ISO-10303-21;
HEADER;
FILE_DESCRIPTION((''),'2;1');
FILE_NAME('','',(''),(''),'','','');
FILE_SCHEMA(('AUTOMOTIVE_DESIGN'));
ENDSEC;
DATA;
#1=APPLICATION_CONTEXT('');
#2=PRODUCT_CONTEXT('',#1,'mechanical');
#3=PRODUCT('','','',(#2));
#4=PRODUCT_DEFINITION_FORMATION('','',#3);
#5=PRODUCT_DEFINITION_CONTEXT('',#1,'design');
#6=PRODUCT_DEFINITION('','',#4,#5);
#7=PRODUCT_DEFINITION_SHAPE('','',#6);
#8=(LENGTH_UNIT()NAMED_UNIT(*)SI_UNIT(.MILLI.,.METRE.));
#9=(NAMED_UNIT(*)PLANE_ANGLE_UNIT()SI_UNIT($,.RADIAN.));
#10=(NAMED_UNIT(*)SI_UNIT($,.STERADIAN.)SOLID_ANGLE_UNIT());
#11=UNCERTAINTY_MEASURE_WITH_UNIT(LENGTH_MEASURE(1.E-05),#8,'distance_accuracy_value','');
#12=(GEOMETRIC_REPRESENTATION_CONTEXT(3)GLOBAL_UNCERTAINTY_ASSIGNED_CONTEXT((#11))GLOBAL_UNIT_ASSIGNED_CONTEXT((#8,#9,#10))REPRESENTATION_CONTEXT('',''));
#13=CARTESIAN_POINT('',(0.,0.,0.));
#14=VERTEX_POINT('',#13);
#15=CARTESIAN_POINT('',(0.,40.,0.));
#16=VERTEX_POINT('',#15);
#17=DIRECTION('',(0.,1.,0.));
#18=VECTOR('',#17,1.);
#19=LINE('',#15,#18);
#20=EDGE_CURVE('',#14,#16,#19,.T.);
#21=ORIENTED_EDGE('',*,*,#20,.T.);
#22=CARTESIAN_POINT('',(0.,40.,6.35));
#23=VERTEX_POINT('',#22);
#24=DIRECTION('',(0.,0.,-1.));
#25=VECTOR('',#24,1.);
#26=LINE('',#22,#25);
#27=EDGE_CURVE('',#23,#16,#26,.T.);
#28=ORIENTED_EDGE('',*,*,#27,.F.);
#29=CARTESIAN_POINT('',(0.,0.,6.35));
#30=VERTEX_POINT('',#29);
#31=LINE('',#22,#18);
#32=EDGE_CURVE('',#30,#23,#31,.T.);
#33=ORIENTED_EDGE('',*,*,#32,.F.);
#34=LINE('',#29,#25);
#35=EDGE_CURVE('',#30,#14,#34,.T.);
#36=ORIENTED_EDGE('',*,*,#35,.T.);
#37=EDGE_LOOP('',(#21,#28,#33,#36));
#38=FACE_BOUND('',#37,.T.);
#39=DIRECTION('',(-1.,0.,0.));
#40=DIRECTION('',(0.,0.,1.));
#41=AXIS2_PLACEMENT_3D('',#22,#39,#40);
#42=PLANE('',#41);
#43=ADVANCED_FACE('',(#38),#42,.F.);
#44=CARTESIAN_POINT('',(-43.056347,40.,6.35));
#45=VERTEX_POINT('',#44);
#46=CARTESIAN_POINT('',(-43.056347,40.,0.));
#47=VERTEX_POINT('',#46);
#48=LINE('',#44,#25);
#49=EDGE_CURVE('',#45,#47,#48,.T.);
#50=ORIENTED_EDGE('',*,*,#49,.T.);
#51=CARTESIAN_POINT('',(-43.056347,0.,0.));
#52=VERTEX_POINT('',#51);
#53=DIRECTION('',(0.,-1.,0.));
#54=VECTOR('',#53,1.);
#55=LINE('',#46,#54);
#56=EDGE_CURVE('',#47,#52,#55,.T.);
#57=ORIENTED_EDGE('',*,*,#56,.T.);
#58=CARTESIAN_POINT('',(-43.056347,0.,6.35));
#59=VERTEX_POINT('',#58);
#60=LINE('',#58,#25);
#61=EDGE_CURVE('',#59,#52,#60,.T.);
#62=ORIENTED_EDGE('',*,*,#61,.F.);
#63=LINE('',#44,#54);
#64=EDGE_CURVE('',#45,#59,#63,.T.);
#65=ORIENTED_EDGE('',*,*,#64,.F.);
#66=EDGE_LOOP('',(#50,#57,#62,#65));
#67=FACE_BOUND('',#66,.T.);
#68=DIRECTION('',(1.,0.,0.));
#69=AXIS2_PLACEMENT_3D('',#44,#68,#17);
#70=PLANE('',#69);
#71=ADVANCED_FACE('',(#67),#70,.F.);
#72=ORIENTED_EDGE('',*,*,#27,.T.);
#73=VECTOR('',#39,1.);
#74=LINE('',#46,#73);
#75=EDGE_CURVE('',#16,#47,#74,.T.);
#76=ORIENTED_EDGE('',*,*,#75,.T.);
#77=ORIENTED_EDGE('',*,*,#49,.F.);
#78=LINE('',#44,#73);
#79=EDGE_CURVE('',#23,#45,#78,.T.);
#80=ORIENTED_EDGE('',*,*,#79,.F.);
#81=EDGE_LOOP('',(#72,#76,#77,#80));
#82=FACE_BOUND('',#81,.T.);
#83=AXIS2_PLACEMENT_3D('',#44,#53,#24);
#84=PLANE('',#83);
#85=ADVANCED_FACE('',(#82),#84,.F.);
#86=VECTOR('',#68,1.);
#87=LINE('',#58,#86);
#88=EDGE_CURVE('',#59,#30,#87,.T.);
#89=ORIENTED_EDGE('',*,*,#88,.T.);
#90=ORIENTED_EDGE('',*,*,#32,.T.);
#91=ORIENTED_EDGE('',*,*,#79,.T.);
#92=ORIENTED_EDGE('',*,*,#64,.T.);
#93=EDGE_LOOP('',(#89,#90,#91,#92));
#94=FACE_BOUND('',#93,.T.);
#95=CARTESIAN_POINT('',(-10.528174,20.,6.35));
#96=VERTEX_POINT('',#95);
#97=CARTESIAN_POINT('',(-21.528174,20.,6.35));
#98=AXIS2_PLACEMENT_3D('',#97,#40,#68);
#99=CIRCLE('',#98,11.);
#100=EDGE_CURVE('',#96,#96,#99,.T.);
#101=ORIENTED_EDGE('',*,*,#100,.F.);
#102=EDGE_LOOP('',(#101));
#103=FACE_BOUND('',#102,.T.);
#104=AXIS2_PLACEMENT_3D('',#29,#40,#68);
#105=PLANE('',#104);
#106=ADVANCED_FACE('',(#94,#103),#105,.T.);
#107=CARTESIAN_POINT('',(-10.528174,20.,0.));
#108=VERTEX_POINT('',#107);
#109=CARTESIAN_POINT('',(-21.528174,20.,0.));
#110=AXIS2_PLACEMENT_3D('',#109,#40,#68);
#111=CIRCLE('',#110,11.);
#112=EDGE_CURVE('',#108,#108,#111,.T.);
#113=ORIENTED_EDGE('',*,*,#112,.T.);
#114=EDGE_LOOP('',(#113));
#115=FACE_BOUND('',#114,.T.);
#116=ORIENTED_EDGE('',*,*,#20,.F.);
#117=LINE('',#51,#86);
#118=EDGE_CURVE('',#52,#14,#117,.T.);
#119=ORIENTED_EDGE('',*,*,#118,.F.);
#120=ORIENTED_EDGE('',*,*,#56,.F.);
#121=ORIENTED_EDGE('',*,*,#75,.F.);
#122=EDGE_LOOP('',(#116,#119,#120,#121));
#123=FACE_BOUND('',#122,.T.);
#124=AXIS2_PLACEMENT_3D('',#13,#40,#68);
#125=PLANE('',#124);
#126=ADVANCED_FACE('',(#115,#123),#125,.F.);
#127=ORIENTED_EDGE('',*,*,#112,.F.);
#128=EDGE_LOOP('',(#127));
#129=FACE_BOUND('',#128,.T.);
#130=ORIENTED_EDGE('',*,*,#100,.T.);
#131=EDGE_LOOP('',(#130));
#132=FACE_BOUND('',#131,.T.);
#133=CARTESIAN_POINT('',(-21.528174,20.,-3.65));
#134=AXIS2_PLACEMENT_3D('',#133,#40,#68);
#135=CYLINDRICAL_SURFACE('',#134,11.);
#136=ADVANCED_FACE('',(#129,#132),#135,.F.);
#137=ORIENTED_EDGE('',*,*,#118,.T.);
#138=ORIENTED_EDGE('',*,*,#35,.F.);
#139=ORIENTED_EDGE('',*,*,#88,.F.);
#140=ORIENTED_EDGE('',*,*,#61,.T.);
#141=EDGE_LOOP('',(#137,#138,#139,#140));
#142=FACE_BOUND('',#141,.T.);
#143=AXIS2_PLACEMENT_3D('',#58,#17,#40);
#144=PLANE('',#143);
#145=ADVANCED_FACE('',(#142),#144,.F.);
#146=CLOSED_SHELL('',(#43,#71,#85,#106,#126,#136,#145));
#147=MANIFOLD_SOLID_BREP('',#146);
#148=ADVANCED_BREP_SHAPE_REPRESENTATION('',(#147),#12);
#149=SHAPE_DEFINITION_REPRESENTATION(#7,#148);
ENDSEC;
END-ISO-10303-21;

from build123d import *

# Parameters (mm, degrees)
SKETCH1_W           = 43.056347335
SKETCH1_H           = 40
BOSS_EXTRUDE1_DEPTH = 6.35
SKETCH2_R           = 11
CUT_EXTRUDE1_DEPTH  = 10


with BuildPart() as part:
    # Sketch1 → Boss-Extrude1 (new body)
    with BuildSketch(Plane.XY):
        with Locations((-21.528173668, 20)):
            Rectangle(SKETCH1_W, SKETCH1_H)
    extrude(amount=BOSS_EXTRUDE1_DEPTH)

    # Sketch2 → Cut-Extrude1 (cut)
    with BuildSketch(Plane.XY.offset(6.35)):
        with Locations((-21.528173667, 20)):
            Circle(SKETCH2_R)
    extrude(amount=-CUT_EXTRUDE1_DEPTH, mode=Mode.SUBTRACT)


solid = part.part
